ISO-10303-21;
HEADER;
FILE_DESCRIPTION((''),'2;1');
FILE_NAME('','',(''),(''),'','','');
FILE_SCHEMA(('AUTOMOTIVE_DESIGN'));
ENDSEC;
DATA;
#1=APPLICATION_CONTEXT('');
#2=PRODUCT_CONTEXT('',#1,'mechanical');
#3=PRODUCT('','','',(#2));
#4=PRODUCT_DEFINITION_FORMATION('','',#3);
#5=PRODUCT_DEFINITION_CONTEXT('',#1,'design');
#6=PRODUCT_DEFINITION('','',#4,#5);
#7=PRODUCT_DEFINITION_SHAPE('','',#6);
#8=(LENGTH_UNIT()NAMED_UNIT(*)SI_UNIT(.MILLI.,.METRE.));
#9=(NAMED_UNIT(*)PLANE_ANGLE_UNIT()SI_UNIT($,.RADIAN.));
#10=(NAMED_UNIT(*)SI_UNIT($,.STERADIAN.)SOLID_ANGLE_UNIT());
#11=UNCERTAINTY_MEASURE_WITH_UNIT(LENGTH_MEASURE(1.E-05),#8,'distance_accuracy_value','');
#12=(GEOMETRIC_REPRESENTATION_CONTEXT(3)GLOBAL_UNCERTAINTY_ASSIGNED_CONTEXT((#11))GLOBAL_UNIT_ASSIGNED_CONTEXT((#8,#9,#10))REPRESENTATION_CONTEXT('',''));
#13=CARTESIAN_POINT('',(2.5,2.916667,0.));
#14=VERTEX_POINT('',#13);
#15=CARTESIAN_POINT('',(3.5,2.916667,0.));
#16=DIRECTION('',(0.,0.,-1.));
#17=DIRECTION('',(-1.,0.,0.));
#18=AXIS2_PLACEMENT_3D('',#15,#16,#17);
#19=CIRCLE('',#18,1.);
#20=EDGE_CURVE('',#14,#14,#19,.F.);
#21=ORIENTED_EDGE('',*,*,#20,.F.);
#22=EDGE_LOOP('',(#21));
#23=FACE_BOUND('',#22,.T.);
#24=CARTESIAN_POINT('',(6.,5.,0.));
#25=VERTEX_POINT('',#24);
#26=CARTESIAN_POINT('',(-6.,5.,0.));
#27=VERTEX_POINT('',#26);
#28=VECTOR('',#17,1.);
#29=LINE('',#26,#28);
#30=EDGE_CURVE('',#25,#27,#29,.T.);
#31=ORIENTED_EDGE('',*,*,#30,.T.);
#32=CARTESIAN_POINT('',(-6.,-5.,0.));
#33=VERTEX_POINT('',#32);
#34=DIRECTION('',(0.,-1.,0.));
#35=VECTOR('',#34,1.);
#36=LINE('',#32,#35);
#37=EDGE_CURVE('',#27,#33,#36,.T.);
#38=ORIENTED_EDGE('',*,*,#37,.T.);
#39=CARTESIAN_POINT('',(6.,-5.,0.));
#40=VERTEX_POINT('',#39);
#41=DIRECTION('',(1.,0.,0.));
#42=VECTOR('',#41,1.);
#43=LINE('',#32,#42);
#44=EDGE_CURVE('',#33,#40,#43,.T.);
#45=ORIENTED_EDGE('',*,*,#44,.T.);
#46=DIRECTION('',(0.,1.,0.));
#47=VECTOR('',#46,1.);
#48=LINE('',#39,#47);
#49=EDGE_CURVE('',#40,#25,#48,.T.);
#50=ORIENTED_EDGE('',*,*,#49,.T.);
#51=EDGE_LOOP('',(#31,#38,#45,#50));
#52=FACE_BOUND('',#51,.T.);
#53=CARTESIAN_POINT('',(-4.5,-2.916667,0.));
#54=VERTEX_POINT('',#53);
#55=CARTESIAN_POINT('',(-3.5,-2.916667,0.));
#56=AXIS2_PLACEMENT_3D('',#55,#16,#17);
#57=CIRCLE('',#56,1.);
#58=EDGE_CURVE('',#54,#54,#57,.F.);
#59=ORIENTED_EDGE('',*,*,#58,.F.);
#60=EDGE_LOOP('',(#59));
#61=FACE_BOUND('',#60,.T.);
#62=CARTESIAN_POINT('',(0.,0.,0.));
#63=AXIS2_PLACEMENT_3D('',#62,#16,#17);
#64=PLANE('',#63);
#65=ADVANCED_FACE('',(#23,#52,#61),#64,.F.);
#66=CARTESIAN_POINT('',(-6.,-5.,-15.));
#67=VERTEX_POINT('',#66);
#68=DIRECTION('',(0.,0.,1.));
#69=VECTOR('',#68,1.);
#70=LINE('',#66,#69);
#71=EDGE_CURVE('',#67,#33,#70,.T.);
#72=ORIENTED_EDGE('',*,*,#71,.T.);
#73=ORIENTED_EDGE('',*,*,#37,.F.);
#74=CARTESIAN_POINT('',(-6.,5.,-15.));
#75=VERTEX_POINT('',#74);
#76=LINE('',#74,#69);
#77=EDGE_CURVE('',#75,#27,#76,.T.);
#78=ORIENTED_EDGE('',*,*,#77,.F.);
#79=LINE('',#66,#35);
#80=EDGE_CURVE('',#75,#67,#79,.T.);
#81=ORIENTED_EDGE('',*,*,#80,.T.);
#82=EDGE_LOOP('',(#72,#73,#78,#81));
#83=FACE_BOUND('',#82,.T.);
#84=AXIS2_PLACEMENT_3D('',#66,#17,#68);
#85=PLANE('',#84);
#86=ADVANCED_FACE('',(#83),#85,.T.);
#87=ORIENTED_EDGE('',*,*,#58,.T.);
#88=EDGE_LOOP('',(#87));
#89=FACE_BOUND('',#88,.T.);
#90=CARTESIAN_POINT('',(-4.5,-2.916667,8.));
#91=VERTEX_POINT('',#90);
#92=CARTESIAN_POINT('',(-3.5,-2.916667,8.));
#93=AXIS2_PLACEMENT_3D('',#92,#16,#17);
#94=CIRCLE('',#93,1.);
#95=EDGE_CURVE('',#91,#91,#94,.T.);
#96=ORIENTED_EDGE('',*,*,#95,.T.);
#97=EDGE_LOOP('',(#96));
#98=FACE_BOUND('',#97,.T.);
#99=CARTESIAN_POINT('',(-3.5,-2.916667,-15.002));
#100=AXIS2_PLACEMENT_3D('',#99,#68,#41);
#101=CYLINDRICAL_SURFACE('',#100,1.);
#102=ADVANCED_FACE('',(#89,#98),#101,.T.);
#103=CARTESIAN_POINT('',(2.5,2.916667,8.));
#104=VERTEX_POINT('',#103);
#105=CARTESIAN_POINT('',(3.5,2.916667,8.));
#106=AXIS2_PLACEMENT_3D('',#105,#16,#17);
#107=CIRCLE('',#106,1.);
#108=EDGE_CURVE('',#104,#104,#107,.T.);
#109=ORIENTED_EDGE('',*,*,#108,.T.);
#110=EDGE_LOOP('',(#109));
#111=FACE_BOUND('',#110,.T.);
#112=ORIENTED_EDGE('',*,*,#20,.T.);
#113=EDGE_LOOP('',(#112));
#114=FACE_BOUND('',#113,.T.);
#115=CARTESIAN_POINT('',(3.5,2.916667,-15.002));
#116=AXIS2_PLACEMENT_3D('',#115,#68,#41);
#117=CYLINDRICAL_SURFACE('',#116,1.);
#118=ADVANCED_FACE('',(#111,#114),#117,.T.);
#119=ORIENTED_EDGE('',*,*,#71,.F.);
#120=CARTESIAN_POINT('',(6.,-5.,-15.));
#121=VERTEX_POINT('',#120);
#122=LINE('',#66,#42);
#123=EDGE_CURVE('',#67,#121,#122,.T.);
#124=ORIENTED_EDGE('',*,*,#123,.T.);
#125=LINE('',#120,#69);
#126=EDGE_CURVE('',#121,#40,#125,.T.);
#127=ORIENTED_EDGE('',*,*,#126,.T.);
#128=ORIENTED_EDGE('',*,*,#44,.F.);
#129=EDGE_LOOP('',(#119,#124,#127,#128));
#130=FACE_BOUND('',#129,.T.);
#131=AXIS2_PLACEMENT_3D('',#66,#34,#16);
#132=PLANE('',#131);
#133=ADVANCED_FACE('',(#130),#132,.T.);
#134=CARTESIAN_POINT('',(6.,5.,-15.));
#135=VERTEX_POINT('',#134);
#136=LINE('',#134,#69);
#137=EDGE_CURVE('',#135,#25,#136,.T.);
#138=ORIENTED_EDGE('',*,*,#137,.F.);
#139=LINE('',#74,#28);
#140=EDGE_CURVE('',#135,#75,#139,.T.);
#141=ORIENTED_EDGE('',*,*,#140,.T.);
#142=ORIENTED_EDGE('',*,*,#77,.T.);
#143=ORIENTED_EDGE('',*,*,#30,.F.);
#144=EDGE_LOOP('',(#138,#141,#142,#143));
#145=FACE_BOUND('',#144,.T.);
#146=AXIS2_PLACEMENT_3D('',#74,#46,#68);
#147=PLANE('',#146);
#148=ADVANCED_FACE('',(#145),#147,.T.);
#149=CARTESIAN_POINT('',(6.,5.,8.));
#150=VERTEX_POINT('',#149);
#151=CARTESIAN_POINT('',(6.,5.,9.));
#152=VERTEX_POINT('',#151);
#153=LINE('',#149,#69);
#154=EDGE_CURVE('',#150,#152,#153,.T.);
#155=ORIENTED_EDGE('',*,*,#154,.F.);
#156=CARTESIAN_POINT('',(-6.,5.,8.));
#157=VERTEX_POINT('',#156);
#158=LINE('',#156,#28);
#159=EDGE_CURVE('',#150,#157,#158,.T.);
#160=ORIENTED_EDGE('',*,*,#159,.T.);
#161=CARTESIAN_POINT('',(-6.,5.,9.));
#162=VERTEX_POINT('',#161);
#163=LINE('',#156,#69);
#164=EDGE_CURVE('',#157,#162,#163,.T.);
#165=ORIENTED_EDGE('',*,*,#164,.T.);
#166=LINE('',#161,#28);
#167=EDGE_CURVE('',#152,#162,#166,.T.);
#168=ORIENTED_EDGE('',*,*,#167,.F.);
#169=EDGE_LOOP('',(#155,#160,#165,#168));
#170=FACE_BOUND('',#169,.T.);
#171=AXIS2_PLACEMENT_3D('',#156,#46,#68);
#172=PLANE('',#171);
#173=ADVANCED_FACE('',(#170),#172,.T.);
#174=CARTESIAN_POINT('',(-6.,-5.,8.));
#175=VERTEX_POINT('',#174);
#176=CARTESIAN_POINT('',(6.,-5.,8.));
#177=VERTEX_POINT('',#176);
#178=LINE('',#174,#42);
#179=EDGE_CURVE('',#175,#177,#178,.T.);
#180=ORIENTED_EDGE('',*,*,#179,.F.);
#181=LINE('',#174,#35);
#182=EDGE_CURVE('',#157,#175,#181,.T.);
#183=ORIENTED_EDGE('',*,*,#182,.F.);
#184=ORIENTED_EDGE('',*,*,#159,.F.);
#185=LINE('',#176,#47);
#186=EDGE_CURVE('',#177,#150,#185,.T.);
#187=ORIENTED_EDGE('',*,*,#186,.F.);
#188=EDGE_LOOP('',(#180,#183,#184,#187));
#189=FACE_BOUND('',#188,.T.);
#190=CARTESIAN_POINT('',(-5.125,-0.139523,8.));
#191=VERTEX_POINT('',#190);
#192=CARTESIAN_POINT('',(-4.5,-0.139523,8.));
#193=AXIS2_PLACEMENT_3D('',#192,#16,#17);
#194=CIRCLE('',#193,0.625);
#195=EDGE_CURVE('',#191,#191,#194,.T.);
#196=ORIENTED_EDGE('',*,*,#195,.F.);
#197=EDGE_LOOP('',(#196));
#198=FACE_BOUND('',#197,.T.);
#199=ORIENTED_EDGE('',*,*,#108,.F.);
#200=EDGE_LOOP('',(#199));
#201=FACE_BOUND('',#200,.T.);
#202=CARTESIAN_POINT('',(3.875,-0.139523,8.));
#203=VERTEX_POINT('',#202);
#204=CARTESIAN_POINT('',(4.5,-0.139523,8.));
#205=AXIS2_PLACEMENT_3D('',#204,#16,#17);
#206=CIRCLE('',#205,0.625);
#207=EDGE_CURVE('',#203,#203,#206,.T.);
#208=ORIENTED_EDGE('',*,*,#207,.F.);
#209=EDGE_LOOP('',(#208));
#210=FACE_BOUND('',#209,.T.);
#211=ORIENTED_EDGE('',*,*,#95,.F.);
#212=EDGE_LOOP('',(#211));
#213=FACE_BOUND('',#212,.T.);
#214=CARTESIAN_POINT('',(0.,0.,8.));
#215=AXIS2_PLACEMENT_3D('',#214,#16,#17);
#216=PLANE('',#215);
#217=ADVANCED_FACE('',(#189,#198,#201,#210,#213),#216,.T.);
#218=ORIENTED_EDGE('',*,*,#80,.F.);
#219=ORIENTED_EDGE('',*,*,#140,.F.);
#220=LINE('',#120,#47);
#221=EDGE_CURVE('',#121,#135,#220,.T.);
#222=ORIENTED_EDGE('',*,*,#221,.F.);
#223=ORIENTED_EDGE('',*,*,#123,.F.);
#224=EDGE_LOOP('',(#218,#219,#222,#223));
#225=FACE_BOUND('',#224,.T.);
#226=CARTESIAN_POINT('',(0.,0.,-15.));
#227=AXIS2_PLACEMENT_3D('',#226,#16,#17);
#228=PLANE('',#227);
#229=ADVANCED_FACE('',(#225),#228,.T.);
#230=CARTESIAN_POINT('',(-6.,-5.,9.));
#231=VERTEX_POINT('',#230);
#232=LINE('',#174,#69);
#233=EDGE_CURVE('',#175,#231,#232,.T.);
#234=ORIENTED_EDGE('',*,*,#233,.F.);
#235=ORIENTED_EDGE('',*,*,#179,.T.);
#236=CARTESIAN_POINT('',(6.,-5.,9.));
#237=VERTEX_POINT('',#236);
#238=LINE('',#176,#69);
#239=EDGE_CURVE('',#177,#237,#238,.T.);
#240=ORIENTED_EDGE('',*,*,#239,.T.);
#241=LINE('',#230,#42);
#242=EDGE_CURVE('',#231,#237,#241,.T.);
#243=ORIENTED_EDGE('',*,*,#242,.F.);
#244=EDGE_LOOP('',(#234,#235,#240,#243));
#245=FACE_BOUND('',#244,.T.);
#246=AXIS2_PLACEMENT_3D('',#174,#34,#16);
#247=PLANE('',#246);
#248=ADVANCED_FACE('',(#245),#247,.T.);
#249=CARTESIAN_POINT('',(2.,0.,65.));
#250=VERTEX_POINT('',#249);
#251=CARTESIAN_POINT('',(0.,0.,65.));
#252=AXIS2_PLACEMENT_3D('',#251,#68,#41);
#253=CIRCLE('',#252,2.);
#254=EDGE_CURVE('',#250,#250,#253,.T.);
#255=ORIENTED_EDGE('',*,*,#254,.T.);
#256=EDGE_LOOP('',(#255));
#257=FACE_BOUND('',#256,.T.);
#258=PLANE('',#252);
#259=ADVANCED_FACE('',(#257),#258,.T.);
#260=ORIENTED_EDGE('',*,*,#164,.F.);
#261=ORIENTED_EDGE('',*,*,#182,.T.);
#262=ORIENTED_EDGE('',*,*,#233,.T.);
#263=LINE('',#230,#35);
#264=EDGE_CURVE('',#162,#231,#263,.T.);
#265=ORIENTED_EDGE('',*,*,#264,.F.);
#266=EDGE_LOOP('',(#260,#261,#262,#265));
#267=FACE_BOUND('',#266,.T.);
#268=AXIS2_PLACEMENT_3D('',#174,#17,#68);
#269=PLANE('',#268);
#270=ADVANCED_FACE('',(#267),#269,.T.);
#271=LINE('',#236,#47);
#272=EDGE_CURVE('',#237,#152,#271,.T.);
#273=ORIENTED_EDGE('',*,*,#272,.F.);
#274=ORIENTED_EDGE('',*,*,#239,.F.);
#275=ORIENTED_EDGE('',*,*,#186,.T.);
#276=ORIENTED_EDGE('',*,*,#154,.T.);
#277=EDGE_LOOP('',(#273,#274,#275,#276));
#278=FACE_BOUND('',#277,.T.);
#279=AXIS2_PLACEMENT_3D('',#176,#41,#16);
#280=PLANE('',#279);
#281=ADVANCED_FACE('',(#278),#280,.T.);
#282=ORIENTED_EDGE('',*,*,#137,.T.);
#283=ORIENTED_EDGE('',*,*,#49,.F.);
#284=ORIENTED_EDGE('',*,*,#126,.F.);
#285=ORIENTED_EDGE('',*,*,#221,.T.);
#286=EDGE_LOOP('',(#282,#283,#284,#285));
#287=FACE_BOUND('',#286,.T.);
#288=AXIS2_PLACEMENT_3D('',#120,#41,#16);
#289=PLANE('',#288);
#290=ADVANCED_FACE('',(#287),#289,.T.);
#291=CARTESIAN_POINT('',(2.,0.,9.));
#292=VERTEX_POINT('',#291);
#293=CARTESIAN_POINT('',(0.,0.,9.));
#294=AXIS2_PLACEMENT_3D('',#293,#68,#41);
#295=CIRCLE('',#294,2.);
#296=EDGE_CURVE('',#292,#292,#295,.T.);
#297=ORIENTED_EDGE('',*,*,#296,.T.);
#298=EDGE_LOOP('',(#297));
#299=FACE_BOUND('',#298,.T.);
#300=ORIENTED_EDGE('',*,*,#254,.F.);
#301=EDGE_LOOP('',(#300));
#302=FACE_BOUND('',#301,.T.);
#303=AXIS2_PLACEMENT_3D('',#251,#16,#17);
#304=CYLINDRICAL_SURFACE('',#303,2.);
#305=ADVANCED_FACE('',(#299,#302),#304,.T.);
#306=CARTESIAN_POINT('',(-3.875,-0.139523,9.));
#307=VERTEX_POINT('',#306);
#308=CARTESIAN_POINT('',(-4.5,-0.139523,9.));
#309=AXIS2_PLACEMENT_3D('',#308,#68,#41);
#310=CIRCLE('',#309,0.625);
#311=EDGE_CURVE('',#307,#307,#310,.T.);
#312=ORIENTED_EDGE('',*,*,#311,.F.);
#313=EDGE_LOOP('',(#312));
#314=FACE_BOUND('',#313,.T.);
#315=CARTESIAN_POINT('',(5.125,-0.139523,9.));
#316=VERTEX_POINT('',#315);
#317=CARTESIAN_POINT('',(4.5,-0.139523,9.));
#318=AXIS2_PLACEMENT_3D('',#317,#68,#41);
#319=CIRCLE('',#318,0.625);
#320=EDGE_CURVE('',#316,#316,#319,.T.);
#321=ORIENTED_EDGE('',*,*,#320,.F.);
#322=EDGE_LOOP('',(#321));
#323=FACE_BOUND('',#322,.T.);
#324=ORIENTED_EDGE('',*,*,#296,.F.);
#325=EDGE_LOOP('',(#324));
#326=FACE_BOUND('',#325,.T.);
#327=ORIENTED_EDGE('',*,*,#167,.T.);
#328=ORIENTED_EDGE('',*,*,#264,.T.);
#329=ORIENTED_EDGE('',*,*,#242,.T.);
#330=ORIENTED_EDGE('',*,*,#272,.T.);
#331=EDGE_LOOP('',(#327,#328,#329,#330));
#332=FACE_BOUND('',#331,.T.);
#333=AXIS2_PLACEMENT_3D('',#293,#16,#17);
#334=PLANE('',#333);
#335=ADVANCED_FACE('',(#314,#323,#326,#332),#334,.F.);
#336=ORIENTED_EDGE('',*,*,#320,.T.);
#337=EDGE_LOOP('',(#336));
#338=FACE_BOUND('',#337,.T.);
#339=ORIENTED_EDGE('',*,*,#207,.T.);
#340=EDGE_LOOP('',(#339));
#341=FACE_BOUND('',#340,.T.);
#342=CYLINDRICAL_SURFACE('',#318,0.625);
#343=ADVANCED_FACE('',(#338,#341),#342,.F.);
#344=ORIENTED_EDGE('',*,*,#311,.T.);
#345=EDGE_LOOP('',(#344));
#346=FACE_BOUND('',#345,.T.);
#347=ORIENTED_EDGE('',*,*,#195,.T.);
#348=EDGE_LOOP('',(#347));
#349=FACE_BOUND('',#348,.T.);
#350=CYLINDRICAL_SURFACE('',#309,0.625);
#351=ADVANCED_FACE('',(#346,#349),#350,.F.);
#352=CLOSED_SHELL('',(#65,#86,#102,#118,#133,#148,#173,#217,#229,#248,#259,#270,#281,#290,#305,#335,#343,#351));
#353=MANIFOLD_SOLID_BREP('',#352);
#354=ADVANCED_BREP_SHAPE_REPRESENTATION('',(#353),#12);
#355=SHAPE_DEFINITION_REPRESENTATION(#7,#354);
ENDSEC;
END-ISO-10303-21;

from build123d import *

# Parameters (mm, degrees)
SKETCH2_W               = 12
SKETCH2_H               = 10
BOSS_EXTRUDE1_DEPTH     = 15
SKETCH3_W               = 12
SKETCH3_H               = 10
BOSS_EXTRUDE2_DEPTH     = 1
SKETCH4_R               = 2
BOSS_EXTRUDE3_DEPTH     = 56
BOSS_EXTRUDE4_REACH     = 59.533
SKETCH5_R               = 1
M1_6_TAPPED_HOLE1_D     = 1.25
M1_6_TAPPED_HOLE1_DEPTH = 4.25
M1_6_TAPPED_HOLE1_TIP   = 0.375537887


with BuildPart() as part:
    # Sketch2 → Boss-Extrude1 (new body)
    with BuildSketch(Plane.XY):
        Rectangle(SKETCH2_W, SKETCH2_H)
    extrude(amount=-BOSS_EXTRUDE1_DEPTH)

    # Sketch5 → Boss-Extrude4 (add, up to next)
    with BuildSketch(Plane(origin=(0, 0, 8), x_dir=(-1, 0, 0), z_dir=(0, 0, -1)), mode=Mode.PRIVATE) as boss_extrude4_sk1:
        with Locations((-3.5, 2.916666667)):
            Circle(SKETCH5_R)
    boss_extrude4_tool1 = extrude(boss_extrude4_sk1.sketch, amount=BOSS_EXTRUDE4_REACH, mode=Mode.PRIVATE) - part.part
    # Sketch5 → Boss-Extrude4 (add, up to next)
    with BuildSketch(Plane(origin=(0, 0, 8), x_dir=(-1, 0, 0), z_dir=(0, 0, -1)), mode=Mode.PRIVATE) as boss_extrude4_sk2:
        with Locations((3.5, -2.916666667)):
            Circle(SKETCH5_R)
    boss_extrude4_tool2 = extrude(boss_extrude4_sk2.sketch, amount=BOSS_EXTRUDE4_REACH, mode=Mode.PRIVATE) - part.part


with BuildPart() as body_2:
    # Sketch3 → Boss-Extrude2 (new body)
    with BuildSketch(Plane.XY.offset(9)):
        Rectangle(SKETCH3_W, SKETCH3_H)
    extrude(amount=-BOSS_EXTRUDE2_DEPTH)

    # Sketch4 → Boss-Extrude3 (add)
    with BuildSketch(Plane.XY.offset(9)):
        Circle(SKETCH4_R)
    extrude(amount=BOSS_EXTRUDE3_DEPTH)


with BuildPart() as part_1:
    add(part.part)

    add(body_2.part)  # Boss-Extrude4 merges body 2
    add(boss_extrude4_tool1.solids().sort_by_distance((3.5, 2.916667, 8))[0])
    add(boss_extrude4_tool2.solids().sort_by_distance((-3.5, -2.916667, 8))[0])

    # M1.6 Tapped Hole1
    with Locations(Plane.XY.offset(9)):
        with Locations((-4.5, -0.139522792), (4.5, -0.139522792)):
            Hole(M1_6_TAPPED_HOLE1_D / 2, depth=M1_6_TAPPED_HOLE1_DEPTH)
            with Locations((0, 0, -(M1_6_TAPPED_HOLE1_DEPTH + M1_6_TAPPED_HOLE1_TIP / 2))):  # 118° drill point
                Cone(0, M1_6_TAPPED_HOLE1_D / 2, M1_6_TAPPED_HOLE1_TIP, mode=Mode.SUBTRACT)


solid = part_1.part
